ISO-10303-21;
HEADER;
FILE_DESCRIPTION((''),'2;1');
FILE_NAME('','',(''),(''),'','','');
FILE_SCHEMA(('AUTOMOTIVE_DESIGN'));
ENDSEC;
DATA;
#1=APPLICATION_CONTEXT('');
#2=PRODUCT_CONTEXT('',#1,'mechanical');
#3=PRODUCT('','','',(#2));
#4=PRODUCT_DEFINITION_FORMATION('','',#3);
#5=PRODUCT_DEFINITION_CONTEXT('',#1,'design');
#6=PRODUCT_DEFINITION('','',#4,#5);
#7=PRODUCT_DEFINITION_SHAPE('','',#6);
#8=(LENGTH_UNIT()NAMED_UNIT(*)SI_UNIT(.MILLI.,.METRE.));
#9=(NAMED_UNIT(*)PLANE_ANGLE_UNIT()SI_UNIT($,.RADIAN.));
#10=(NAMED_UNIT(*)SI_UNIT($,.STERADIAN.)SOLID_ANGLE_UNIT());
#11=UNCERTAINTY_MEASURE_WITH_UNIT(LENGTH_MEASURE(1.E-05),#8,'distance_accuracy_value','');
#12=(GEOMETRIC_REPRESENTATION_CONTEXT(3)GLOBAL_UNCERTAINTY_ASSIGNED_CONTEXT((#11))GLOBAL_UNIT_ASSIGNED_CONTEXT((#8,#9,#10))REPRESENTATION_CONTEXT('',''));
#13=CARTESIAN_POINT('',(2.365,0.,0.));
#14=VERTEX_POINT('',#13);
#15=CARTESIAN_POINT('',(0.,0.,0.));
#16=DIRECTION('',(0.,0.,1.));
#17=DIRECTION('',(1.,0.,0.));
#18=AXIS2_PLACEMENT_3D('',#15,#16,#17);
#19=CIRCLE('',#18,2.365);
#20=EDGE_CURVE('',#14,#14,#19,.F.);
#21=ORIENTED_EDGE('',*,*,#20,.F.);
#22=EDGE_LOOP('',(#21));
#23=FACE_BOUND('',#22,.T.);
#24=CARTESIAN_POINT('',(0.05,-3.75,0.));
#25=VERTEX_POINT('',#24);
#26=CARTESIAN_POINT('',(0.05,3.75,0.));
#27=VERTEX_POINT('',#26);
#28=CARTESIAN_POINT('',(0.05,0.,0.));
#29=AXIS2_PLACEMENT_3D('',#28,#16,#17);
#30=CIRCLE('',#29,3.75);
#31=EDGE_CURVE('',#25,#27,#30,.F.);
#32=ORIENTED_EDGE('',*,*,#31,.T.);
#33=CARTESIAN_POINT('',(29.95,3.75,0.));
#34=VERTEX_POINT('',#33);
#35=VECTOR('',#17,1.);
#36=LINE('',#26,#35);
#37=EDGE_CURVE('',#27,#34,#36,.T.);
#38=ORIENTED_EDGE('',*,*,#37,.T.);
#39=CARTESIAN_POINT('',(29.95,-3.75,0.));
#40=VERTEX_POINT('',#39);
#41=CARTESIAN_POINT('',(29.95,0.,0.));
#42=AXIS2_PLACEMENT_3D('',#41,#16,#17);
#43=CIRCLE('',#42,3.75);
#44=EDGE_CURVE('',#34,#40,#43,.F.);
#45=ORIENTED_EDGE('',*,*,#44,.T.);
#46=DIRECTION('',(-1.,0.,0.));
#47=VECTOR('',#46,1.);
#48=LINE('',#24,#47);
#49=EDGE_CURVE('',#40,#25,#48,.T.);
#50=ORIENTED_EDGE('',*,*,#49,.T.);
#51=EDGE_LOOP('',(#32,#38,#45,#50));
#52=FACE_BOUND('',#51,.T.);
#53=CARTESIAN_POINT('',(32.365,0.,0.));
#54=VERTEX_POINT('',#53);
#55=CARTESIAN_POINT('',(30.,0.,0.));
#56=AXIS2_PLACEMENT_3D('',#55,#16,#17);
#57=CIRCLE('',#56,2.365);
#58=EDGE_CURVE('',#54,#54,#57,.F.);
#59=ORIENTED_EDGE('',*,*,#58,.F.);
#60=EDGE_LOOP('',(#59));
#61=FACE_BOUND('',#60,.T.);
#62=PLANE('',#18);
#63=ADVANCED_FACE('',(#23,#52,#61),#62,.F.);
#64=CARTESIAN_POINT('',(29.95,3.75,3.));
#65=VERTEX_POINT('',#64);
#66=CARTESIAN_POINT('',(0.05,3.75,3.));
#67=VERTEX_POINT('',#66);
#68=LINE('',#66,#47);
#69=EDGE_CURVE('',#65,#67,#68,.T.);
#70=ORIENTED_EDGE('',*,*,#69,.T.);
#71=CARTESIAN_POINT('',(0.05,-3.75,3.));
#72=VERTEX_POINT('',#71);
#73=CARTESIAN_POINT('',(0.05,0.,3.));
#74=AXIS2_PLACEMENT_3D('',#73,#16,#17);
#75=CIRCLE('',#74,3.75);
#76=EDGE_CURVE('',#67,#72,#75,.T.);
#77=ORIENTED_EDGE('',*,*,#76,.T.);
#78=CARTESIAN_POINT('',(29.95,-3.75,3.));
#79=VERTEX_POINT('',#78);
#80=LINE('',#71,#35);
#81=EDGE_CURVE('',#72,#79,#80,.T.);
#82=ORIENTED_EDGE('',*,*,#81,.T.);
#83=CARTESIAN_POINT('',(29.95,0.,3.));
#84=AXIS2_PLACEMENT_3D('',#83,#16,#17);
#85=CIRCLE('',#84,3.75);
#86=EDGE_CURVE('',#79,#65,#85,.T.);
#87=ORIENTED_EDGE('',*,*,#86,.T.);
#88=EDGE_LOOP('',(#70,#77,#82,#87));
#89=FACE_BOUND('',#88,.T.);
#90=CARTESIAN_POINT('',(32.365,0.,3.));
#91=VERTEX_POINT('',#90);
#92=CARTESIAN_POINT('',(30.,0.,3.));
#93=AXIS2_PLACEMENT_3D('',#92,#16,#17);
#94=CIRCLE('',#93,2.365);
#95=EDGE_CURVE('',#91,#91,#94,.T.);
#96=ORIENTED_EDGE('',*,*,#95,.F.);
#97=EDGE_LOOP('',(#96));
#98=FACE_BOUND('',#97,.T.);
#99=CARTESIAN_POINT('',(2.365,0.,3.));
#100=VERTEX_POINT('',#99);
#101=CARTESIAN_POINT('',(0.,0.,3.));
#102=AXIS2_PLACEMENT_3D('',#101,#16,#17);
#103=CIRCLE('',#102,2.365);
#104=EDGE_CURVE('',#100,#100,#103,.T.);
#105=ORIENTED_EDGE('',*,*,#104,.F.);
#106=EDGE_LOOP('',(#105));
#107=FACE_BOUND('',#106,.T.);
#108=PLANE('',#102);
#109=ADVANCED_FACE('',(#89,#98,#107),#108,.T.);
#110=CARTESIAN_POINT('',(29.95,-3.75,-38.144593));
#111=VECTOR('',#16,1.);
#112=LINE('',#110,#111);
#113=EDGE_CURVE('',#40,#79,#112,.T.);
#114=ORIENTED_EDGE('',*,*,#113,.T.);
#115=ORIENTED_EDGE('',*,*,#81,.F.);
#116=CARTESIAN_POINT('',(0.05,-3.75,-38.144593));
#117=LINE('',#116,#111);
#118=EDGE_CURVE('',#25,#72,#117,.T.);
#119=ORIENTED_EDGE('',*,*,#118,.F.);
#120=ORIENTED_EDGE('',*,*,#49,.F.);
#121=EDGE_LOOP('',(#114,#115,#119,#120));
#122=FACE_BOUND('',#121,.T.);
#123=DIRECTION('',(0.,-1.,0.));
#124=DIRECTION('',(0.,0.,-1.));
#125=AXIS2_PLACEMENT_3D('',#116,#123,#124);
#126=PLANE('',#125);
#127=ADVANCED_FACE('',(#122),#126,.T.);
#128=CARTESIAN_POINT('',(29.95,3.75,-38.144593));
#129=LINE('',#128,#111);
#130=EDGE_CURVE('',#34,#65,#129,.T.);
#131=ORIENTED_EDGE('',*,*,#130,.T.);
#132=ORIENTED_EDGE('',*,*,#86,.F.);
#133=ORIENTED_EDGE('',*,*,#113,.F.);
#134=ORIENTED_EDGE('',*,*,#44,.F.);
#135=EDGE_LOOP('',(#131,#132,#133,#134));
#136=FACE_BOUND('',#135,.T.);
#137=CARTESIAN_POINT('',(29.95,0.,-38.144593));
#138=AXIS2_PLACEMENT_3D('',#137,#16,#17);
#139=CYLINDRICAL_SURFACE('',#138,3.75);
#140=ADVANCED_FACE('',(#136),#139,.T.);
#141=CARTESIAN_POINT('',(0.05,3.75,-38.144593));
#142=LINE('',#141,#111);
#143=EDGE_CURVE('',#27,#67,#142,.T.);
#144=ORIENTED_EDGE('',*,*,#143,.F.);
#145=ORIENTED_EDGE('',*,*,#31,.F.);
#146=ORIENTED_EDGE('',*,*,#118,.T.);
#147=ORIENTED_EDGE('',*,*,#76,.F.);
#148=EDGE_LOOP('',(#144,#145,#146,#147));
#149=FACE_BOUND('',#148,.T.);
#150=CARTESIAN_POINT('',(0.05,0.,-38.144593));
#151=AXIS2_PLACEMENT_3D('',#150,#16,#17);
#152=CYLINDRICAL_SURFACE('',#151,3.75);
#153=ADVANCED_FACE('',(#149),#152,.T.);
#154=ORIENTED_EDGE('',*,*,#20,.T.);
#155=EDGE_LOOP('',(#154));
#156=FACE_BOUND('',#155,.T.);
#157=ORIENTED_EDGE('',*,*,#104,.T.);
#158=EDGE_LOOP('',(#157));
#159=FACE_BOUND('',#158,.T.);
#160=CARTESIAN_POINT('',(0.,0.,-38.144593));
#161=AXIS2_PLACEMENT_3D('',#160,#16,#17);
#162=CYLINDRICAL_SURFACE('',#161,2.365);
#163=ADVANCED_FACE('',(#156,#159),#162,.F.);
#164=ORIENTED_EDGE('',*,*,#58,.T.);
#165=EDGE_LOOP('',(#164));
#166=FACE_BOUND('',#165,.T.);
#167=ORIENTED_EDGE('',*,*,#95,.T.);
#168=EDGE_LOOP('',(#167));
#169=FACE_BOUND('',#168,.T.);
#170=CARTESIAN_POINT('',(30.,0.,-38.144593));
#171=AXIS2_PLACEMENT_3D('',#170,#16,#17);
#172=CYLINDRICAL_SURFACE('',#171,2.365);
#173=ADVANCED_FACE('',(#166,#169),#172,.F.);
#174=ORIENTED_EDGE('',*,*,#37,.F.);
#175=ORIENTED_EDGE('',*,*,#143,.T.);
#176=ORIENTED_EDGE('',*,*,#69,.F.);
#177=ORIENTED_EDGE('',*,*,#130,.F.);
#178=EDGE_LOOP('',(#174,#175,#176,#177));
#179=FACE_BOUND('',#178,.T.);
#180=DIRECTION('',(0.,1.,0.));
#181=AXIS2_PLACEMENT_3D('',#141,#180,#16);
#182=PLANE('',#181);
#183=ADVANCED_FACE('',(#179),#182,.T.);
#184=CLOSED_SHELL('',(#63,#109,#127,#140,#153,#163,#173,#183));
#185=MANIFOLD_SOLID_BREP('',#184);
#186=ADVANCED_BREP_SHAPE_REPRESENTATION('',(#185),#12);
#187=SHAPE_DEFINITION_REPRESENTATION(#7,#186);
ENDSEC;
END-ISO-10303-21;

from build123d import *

# Parameters (mm, degrees)
SKETCH1_R           = 2.395
BOSS_EXTRUDE1_DEPTH = 3
SKETCH2_R           = 2.365
BOSS_EXTRUDE2_DEPTH = 3


with BuildPart() as part:
    # Sketch1 → Boss-Extrude1 (new body)
    with BuildSketch(Plane.XY):
        with BuildLine():
            Line((0, 3), (30, 3))
            ThreePointArc((30, 3), (33, 0), (30, -3))
            Line((30, -3), (0, -3))
            ThreePointArc((0, -3), (-3, 0), (0, 3))
        make_face()
        Circle(SKETCH1_R, mode=Mode.SUBTRACT)
        with Locations((30, 0)):
            Circle(SKETCH1_R, mode=Mode.SUBTRACT)
    extrude(amount=BOSS_EXTRUDE1_DEPTH)

    # Sketch2 → Boss-Extrude2 (add)
    with BuildSketch(Plane.XY.offset(3)):
        with BuildLine():
            Line((0.05, 3.75), (29.95, 3.75))
            ThreePointArc((29.95, 3.75), (33.7, 0), (29.95, -3.75))
            Line((29.95, -3.75), (0.05, -3.75))
            ThreePointArc((0.05, -3.75), (-3.7, 0), (0.05, 3.75))
        make_face()
        Circle(SKETCH2_R, mode=Mode.SUBTRACT)
        with Locations((30, 0)):
            Circle(SKETCH2_R, mode=Mode.SUBTRACT)
    extrude(amount=-BOSS_EXTRUDE2_DEPTH)


solid = part.part
